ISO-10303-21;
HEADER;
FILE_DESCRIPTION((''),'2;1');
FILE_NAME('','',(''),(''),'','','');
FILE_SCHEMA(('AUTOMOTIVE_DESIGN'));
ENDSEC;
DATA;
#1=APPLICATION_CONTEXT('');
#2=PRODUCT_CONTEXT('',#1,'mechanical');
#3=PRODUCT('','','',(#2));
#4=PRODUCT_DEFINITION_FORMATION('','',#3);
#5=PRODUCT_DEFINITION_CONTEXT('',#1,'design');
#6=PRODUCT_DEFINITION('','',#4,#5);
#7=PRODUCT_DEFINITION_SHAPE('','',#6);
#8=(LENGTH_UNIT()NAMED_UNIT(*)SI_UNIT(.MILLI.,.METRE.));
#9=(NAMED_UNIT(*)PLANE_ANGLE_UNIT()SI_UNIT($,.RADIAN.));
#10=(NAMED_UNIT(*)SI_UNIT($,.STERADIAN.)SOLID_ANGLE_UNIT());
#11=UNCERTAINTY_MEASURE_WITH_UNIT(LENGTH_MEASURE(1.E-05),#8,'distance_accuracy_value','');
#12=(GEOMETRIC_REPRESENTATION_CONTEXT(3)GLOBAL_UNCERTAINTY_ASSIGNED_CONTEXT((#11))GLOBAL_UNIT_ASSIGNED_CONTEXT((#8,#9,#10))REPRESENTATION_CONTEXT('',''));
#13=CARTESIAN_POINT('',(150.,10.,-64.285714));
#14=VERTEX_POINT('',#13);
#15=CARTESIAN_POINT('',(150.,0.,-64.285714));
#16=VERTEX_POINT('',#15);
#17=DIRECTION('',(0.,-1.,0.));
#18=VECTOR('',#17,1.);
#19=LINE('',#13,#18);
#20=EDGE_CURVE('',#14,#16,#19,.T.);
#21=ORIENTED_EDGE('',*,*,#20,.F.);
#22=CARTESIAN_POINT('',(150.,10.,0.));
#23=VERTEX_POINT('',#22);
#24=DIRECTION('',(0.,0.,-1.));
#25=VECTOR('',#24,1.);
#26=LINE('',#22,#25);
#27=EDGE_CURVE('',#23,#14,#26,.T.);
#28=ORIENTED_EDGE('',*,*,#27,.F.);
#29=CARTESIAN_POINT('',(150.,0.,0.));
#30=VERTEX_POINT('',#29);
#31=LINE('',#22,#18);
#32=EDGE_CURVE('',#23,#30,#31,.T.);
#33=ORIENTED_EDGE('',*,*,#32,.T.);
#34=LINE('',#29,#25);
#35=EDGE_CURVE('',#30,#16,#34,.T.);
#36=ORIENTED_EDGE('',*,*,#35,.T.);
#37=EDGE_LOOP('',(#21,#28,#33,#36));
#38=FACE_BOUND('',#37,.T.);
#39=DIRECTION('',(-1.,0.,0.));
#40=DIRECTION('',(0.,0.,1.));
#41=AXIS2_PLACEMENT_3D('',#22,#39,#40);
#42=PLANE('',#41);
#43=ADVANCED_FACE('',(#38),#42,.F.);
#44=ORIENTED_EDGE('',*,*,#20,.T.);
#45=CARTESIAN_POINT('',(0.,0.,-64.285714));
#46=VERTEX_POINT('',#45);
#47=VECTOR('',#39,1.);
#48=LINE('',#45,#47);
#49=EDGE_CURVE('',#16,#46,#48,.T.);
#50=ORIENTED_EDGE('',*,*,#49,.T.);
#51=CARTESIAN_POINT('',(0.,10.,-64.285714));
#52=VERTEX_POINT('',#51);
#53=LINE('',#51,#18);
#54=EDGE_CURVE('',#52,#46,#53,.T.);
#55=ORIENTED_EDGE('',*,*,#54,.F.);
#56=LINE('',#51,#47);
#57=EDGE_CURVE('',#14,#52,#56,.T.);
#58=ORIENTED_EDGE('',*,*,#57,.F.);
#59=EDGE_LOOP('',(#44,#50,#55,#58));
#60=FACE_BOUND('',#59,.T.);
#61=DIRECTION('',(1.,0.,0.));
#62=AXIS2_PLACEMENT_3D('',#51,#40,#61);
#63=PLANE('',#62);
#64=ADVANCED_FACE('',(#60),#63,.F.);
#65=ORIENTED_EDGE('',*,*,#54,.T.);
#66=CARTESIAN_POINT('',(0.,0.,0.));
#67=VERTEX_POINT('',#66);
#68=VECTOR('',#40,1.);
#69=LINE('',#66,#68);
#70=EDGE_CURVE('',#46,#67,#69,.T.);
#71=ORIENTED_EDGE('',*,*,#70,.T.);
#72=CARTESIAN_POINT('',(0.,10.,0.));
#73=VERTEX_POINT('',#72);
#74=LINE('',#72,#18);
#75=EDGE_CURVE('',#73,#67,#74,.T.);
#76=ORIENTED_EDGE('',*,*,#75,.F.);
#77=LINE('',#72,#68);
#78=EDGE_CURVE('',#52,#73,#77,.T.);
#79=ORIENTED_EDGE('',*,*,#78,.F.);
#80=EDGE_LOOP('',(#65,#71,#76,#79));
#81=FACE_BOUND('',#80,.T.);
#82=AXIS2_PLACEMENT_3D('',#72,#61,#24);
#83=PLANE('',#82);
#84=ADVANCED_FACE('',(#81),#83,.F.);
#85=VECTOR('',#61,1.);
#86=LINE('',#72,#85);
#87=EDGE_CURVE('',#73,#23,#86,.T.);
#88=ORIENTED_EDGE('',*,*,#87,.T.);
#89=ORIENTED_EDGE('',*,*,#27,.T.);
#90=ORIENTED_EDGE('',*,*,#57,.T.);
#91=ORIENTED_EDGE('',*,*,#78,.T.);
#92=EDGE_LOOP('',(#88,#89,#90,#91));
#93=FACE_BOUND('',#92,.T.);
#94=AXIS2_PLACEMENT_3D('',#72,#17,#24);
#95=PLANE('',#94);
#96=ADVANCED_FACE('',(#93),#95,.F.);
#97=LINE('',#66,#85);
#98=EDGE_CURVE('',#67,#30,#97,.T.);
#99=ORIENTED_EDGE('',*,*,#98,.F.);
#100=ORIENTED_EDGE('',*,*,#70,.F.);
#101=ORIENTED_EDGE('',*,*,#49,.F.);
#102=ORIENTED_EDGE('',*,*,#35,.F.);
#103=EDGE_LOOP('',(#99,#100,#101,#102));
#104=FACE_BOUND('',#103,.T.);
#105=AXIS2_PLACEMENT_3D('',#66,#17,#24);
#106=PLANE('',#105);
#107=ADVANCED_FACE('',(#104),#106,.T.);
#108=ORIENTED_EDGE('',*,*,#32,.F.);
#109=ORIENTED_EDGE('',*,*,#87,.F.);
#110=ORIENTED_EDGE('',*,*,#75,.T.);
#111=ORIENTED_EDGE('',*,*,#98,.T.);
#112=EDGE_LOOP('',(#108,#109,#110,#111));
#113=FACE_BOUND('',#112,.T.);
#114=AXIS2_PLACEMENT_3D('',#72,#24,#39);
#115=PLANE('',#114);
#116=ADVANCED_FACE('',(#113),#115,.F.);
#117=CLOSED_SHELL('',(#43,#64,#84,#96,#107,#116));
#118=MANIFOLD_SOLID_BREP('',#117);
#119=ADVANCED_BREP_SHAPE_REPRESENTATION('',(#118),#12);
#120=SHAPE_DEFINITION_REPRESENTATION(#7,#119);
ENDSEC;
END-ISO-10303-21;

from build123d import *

# Parameters (mm, degrees)
ESQUISSE1_W        = 150
ESQUISSE1_H        = 64.285714286
BOSS_EXTRU_1_DEPTH = 10


with BuildPart() as part:
    # Esquisse1 → Boss.-Extru.1 (new body)
    with BuildSketch(Plane(origin=(0, 0, 0), x_dir=(1, 0, 0), z_dir=(0, 1, 0))):
        with Locations((75, 32.142857143)):
            Rectangle(ESQUISSE1_W, ESQUISSE1_H)
    extrude(amount=BOSS_EXTRU_1_DEPTH)


solid = part.part
